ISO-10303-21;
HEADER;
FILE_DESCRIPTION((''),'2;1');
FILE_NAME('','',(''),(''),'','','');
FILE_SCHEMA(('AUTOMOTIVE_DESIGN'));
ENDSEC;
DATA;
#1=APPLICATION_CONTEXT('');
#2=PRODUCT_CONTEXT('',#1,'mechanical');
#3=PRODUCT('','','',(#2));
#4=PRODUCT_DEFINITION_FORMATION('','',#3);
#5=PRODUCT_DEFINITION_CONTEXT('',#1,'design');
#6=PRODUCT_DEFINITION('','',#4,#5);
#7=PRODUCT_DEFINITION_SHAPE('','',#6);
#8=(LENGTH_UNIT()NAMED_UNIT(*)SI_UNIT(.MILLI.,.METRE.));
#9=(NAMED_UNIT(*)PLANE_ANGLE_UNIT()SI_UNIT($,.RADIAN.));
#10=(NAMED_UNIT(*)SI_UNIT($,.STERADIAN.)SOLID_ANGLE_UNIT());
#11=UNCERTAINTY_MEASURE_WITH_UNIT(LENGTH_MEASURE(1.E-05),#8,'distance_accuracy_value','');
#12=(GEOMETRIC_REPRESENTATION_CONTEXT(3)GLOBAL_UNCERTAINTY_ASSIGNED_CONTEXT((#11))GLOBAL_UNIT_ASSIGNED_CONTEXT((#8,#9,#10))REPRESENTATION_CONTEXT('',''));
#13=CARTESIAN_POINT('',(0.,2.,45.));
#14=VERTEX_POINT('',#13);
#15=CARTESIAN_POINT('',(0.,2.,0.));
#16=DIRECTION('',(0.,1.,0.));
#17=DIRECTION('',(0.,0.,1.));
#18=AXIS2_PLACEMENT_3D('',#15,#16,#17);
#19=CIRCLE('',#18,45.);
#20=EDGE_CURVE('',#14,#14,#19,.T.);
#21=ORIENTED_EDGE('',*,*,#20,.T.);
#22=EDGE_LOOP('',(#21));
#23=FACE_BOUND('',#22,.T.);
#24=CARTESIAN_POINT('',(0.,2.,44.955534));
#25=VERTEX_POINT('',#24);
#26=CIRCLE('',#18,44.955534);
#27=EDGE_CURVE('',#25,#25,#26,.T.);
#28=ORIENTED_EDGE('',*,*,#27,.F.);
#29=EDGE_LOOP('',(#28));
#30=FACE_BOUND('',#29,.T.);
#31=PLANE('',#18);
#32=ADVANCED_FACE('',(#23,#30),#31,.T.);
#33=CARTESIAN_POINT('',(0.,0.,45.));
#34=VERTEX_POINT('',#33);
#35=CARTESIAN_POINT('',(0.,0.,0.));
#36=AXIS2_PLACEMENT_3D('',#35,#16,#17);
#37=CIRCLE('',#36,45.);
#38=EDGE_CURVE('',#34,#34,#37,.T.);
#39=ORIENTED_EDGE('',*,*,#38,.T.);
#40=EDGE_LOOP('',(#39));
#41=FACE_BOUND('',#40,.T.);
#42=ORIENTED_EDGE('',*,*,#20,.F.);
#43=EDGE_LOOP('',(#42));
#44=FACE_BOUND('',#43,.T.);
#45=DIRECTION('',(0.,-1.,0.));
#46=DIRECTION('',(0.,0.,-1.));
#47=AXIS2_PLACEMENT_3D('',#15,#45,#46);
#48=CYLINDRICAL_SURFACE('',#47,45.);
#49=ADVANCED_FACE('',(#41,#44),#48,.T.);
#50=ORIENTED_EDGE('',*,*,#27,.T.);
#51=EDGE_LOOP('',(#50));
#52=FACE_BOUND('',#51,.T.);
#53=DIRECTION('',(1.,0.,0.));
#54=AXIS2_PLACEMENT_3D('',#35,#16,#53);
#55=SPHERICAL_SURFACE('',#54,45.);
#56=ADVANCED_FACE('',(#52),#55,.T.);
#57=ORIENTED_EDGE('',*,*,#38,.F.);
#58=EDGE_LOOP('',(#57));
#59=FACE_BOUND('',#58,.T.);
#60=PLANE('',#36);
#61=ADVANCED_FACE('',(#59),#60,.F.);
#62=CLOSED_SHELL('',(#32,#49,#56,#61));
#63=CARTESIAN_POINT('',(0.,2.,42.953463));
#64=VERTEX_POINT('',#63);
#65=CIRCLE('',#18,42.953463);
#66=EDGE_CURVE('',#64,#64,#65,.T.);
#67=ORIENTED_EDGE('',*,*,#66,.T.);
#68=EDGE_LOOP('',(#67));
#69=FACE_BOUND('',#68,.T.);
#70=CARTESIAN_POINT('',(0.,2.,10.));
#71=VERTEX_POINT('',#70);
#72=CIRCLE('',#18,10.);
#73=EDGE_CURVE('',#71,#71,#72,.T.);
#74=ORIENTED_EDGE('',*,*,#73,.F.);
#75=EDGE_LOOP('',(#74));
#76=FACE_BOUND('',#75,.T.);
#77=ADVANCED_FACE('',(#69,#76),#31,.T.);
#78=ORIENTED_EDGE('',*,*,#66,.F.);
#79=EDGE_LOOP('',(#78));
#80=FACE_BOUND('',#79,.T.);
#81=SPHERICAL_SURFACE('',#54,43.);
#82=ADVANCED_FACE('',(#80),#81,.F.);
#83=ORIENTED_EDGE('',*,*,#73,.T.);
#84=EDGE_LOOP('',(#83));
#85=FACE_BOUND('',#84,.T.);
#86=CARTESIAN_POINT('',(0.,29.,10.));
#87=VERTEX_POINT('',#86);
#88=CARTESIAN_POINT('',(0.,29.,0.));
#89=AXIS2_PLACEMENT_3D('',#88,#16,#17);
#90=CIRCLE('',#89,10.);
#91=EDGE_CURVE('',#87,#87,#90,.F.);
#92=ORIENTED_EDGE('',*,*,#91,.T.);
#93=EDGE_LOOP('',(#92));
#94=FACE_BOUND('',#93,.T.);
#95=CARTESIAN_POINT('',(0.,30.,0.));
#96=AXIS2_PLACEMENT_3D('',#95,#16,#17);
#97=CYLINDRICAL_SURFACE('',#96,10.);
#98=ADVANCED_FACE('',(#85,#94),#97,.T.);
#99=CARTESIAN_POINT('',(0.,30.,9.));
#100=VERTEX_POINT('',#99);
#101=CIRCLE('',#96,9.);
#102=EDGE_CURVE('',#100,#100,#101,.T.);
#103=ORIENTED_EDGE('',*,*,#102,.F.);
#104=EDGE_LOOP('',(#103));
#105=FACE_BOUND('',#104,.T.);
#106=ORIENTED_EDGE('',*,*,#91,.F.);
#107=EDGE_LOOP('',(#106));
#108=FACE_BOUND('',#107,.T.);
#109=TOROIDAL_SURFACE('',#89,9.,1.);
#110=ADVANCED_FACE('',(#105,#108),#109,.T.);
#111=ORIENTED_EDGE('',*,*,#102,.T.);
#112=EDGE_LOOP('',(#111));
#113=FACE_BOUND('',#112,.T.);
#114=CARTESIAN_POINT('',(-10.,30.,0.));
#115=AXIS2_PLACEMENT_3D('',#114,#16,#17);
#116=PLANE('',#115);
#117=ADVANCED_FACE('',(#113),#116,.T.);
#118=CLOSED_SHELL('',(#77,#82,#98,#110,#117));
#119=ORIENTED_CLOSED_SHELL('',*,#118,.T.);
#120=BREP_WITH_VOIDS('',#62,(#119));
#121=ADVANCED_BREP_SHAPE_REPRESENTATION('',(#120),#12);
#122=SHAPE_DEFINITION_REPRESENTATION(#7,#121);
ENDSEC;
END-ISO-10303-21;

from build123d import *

# Parameters (mm, degrees)
SHELL1_T            = -2
SKETCH3_W           = 10
SKETCH3_H           = 30
FILLET1_R           = 1
SKETCH2_R           = 45
BOSS_EXTRUDE2_DEPTH = 2


with BuildPart() as part:
    # Sketch1 → Revolve1 (revolve)
    with BuildSketch(Plane.XY):
        with BuildLine():
            Line((0, 45), (0, 0))
            Line((0, 0), (45, 0))
            ThreePointArc((45, 0), (31.819805153, 31.819805153), (0, 45))
        make_face()
    revolve(axis=Axis((0, 45, 0), (0, -1, 0)))

    # Shell1
    shell1_openings = [part.faces().sort_by_distance(p)[0] for p in [
        (0, 0, 45),
    ]]
    offset(amount=SHELL1_T, openings=shell1_openings, kind=Kind.INTERSECTION)



with BuildPart() as body_2:
    # Sketch3 → Revolve2 (revolve)
    with BuildSketch(Plane.XY):
        with Locations((-5, 15)):
            Rectangle(SKETCH3_W, SKETCH3_H)
    revolve(axis=Axis((0, 30, 0), (0, -1, 0)))

    # Fillet1
    fillet1_edges = [body_2.edges().sort_by_distance(p)[0] for p in [
        (10, 30, 0),
    ]]
    fillet(fillet1_edges, radius=FILLET1_R)


with BuildPart() as part_1:
    add(part.part)

    add(body_2.part)  # Boss-Extrude2 merges body 2
    # Sketch2 → Boss-Extrude2 (add)
    with BuildSketch(Plane(origin=(0, 0, 0), x_dir=(1, 0, 0), z_dir=(0, 1, 0))):
        Circle(SKETCH2_R)
    extrude(amount=BOSS_EXTRUDE2_DEPTH)


solid = part_1.part
